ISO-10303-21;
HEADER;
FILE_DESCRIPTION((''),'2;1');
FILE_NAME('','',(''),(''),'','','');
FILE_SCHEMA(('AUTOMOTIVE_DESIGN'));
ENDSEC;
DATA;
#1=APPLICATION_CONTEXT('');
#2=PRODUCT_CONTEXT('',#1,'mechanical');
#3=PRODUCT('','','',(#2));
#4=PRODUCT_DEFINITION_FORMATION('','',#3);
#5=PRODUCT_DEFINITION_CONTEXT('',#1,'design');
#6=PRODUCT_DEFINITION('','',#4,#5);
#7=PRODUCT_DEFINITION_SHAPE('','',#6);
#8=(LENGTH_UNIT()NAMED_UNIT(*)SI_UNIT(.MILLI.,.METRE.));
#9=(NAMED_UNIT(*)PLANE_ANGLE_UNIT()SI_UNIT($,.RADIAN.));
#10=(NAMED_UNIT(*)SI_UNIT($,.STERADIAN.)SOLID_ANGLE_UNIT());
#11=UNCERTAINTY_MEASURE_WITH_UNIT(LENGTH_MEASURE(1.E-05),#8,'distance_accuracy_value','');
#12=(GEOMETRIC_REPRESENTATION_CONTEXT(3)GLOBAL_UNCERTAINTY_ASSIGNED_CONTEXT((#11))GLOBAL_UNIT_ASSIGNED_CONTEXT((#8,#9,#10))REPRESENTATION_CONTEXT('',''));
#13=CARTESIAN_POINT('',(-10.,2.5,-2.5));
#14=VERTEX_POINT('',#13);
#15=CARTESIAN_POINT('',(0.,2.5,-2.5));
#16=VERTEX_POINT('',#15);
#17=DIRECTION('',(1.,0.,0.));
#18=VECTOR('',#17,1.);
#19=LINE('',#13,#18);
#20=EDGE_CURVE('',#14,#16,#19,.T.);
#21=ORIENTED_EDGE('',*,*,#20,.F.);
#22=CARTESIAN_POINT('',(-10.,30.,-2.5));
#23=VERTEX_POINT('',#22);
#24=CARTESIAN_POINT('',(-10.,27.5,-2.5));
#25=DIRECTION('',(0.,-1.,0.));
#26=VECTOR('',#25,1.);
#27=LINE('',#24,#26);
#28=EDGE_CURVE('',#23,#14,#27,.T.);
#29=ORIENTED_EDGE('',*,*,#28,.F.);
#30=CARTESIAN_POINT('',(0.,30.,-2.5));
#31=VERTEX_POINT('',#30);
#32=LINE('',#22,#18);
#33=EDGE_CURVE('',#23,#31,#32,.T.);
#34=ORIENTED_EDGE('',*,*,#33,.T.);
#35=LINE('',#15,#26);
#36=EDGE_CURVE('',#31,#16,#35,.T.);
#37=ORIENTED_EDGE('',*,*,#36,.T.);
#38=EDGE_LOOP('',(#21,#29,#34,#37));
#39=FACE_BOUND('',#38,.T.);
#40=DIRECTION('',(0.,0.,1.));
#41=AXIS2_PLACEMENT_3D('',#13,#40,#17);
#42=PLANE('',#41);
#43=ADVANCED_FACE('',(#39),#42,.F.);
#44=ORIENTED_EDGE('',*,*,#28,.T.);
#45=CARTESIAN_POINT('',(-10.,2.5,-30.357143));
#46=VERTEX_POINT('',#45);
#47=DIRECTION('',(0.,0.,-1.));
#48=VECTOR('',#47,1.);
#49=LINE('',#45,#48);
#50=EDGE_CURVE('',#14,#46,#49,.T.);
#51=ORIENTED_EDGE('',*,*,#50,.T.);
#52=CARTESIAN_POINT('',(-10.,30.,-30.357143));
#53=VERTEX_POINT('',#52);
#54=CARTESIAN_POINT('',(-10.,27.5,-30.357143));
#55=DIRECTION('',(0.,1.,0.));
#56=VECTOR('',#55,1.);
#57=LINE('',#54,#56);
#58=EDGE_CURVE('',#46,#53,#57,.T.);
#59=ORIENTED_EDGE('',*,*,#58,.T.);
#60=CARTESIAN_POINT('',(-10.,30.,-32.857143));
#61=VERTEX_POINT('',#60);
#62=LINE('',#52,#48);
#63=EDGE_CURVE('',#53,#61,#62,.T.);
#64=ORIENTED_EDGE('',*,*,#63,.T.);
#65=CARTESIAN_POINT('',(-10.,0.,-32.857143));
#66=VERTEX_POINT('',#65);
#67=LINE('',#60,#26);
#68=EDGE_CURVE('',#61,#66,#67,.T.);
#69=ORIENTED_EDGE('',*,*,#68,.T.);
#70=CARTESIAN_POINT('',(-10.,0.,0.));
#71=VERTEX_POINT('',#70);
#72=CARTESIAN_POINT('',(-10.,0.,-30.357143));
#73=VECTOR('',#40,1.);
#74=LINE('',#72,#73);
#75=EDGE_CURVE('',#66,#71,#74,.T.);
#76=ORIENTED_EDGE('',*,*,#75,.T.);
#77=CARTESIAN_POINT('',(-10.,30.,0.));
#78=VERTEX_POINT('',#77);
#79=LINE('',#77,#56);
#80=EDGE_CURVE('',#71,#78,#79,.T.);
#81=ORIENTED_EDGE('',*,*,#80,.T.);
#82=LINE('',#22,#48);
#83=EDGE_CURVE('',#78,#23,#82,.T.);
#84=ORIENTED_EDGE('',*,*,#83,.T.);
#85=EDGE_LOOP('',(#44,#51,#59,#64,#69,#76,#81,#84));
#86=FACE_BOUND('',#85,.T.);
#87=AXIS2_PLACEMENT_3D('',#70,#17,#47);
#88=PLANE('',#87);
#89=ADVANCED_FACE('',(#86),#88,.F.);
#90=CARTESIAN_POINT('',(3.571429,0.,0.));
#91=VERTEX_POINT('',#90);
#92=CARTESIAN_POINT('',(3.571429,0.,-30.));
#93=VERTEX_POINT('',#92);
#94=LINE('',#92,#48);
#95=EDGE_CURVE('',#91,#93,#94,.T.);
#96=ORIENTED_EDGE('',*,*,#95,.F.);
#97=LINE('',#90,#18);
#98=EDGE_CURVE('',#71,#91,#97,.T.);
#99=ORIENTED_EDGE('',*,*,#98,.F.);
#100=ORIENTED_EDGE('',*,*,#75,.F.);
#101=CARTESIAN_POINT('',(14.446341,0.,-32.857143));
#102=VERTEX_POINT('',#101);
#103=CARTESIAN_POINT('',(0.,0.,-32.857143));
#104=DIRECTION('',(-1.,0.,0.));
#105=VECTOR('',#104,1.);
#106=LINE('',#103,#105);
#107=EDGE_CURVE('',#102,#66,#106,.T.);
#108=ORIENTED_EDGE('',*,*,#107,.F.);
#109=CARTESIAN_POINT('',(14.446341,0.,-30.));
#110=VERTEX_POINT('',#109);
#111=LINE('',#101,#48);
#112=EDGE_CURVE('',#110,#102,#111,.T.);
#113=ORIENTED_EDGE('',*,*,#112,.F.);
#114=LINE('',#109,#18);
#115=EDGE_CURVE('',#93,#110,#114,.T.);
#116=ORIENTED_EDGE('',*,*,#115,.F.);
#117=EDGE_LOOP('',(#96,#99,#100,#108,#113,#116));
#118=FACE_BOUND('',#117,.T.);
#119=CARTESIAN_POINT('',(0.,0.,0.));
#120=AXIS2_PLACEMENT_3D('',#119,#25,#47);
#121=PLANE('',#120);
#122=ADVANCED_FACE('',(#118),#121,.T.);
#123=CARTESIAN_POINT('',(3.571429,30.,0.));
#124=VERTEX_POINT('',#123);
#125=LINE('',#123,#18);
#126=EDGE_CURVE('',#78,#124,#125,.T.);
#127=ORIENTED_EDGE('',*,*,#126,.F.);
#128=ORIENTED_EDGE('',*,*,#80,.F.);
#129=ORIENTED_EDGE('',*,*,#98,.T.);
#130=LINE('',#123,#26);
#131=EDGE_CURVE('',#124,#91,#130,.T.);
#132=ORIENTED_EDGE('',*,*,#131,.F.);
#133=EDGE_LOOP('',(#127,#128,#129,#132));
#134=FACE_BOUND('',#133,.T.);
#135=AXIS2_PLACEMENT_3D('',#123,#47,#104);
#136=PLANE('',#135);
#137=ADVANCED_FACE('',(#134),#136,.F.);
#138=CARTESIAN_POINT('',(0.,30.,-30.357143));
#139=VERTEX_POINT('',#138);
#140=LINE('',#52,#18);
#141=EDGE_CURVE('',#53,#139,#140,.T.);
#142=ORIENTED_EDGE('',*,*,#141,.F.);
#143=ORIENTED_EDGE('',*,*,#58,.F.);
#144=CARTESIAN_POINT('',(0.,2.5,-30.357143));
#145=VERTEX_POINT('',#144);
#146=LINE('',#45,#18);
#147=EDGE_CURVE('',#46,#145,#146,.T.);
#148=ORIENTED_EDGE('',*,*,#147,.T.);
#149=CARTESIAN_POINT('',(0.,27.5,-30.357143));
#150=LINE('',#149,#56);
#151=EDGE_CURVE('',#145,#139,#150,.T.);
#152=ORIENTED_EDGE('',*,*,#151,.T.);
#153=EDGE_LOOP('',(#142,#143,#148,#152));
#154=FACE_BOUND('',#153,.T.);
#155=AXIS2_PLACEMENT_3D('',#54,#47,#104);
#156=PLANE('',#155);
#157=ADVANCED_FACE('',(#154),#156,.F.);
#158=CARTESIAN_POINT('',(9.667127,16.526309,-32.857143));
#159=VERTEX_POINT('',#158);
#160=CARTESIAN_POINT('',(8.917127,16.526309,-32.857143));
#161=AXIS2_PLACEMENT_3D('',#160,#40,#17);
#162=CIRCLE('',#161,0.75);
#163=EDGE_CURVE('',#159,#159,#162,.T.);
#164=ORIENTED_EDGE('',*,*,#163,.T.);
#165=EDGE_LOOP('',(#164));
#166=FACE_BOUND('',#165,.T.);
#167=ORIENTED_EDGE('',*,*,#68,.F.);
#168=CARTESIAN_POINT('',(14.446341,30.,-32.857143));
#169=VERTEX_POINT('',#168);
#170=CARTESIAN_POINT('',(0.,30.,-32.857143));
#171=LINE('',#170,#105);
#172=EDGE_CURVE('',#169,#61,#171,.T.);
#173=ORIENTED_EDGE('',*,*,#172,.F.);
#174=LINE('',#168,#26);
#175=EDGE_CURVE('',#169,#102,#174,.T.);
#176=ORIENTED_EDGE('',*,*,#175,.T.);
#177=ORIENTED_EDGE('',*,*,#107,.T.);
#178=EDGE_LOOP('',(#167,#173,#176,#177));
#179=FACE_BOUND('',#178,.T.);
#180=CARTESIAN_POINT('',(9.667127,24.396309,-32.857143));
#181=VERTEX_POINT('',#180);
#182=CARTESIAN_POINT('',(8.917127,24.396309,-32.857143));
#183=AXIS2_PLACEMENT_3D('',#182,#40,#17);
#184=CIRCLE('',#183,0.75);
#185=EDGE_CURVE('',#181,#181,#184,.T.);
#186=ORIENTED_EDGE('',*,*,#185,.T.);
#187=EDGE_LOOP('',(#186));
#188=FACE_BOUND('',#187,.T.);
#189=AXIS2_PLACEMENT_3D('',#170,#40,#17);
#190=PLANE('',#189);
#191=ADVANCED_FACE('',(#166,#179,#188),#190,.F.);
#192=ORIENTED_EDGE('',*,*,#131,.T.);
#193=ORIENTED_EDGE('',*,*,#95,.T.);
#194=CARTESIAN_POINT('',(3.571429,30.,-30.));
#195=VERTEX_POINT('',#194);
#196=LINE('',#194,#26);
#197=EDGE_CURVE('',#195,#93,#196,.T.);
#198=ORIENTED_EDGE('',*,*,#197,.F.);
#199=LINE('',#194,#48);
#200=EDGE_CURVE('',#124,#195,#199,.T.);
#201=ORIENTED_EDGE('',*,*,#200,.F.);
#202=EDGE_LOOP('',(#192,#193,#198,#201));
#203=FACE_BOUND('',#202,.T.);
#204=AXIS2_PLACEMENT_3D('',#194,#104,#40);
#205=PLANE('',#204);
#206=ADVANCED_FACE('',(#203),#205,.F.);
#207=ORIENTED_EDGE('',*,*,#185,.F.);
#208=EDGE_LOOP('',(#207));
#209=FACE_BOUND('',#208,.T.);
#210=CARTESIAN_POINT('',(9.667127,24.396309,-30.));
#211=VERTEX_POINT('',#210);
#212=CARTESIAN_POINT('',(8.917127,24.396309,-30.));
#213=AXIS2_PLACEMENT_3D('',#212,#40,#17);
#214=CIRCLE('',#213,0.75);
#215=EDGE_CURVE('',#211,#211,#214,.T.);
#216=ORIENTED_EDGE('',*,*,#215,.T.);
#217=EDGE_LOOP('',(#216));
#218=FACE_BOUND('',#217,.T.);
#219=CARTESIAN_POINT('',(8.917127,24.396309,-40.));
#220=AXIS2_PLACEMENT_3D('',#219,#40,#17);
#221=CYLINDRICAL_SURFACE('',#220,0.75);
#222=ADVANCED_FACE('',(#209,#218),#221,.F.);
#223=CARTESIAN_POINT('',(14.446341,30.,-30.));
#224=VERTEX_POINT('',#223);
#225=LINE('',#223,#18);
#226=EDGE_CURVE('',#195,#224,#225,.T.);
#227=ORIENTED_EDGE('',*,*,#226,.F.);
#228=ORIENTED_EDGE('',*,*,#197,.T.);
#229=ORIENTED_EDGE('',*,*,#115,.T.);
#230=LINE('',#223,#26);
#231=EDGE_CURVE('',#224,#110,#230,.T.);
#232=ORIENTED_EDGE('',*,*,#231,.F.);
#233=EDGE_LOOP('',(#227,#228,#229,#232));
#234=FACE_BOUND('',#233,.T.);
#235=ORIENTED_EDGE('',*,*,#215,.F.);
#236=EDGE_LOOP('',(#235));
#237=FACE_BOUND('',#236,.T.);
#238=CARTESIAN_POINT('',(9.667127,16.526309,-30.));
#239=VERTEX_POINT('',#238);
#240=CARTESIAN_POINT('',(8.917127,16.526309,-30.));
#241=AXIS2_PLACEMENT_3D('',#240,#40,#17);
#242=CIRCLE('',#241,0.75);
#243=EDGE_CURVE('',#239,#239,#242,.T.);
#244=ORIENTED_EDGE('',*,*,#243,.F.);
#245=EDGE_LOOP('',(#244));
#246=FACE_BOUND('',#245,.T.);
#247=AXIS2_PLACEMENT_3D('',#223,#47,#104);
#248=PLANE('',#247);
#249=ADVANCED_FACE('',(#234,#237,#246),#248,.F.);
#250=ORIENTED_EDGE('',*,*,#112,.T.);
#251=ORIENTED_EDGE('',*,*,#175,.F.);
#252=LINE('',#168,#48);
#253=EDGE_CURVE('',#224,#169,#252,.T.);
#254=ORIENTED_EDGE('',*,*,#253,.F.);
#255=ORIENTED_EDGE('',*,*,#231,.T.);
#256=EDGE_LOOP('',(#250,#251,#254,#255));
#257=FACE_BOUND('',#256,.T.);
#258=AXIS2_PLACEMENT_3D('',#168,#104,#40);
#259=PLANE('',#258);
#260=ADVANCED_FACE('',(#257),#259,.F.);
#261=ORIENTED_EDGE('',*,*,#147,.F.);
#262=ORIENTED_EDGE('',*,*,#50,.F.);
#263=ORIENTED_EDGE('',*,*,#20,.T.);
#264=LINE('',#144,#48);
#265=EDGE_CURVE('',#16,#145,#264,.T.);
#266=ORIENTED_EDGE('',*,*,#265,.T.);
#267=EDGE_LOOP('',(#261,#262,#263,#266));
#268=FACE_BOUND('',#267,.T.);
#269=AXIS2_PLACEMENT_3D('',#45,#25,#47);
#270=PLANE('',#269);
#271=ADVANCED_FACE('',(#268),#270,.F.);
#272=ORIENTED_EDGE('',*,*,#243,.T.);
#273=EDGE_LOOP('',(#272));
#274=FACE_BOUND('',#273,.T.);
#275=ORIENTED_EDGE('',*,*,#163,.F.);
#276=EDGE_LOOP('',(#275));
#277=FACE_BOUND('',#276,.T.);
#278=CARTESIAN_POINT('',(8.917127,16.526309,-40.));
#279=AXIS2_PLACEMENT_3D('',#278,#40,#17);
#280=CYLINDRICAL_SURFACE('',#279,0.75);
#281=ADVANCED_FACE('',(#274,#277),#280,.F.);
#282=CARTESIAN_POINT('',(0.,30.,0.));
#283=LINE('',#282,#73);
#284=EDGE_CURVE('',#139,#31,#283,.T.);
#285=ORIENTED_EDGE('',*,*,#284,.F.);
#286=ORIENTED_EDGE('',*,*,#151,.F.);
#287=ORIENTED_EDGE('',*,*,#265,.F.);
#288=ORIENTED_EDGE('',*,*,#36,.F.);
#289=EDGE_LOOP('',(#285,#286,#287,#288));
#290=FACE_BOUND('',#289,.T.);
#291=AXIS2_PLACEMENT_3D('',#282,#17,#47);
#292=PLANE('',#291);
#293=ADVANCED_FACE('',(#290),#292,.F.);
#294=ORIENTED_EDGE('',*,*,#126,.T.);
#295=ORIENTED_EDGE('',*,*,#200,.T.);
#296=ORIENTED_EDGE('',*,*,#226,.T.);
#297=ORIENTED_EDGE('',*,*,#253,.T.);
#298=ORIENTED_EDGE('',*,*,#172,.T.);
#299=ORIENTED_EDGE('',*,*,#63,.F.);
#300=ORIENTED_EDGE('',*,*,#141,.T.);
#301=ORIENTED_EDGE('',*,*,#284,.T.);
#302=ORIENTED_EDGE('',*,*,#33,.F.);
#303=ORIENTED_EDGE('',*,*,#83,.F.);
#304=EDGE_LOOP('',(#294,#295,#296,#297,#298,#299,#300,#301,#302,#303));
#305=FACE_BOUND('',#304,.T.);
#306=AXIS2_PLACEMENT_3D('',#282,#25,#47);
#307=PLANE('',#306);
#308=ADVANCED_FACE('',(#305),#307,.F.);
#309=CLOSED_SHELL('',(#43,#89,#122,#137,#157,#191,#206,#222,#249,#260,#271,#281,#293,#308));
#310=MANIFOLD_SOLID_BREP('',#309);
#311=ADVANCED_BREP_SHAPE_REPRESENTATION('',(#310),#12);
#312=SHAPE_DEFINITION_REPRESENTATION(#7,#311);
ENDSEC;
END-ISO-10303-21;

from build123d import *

# Parameters (mm, degrees)
BOSS_EXTRUDE1_DEPTH = 30
BOSS_EXTRUDE3_DEPTH = 10
SKETCH4_R           = 0.75
CUT_EXTRUDE1_DEPTH  = 10


with BuildPart() as part:
    # Sketch1 → Boss-Extrude1 (new body)
    with BuildSketch(Plane(origin=(0, 0, 0), x_dir=(1, 0, 0), z_dir=(0, 1, 0))):
        Polygon((0, 0), (0, 32.857142857), (14.446341209, 32.857142857), (14.446341209, 30), (3.571428571, 30), (3.571428571, 0), align=None)
    extrude(amount=BOSS_EXTRUDE1_DEPTH)

    # Sketch3 → Boss-Extrude3 (add)
    with BuildSketch(Plane.ZY):
        Polygon((-30.357142857, 0), (-32.857142857, 0), (-32.857142857, 30), (-30.357142857, 30), (-30.357142857, 27.5), (-30.357142857, 2.5), (-2.5, 2.5), (-2.5, 27.5), (-2.5, 30), (0, 30), (0, 0), (-2.5, 0), align=None)
    extrude(amount=BOSS_EXTRUDE3_DEPTH)

    # Sketch4 → Cut-Extrude1 (cut)
    with BuildSketch(Plane.XY.offset(-30)):
        with Locations((8.91712718, 24.396309317)):
            Circle(SKETCH4_R)
        with Locations((8.91712718, 16.526309317)):
            Circle(SKETCH4_R)
    extrude(amount=-CUT_EXTRUDE1_DEPTH, mode=Mode.SUBTRACT)


solid = part.part
